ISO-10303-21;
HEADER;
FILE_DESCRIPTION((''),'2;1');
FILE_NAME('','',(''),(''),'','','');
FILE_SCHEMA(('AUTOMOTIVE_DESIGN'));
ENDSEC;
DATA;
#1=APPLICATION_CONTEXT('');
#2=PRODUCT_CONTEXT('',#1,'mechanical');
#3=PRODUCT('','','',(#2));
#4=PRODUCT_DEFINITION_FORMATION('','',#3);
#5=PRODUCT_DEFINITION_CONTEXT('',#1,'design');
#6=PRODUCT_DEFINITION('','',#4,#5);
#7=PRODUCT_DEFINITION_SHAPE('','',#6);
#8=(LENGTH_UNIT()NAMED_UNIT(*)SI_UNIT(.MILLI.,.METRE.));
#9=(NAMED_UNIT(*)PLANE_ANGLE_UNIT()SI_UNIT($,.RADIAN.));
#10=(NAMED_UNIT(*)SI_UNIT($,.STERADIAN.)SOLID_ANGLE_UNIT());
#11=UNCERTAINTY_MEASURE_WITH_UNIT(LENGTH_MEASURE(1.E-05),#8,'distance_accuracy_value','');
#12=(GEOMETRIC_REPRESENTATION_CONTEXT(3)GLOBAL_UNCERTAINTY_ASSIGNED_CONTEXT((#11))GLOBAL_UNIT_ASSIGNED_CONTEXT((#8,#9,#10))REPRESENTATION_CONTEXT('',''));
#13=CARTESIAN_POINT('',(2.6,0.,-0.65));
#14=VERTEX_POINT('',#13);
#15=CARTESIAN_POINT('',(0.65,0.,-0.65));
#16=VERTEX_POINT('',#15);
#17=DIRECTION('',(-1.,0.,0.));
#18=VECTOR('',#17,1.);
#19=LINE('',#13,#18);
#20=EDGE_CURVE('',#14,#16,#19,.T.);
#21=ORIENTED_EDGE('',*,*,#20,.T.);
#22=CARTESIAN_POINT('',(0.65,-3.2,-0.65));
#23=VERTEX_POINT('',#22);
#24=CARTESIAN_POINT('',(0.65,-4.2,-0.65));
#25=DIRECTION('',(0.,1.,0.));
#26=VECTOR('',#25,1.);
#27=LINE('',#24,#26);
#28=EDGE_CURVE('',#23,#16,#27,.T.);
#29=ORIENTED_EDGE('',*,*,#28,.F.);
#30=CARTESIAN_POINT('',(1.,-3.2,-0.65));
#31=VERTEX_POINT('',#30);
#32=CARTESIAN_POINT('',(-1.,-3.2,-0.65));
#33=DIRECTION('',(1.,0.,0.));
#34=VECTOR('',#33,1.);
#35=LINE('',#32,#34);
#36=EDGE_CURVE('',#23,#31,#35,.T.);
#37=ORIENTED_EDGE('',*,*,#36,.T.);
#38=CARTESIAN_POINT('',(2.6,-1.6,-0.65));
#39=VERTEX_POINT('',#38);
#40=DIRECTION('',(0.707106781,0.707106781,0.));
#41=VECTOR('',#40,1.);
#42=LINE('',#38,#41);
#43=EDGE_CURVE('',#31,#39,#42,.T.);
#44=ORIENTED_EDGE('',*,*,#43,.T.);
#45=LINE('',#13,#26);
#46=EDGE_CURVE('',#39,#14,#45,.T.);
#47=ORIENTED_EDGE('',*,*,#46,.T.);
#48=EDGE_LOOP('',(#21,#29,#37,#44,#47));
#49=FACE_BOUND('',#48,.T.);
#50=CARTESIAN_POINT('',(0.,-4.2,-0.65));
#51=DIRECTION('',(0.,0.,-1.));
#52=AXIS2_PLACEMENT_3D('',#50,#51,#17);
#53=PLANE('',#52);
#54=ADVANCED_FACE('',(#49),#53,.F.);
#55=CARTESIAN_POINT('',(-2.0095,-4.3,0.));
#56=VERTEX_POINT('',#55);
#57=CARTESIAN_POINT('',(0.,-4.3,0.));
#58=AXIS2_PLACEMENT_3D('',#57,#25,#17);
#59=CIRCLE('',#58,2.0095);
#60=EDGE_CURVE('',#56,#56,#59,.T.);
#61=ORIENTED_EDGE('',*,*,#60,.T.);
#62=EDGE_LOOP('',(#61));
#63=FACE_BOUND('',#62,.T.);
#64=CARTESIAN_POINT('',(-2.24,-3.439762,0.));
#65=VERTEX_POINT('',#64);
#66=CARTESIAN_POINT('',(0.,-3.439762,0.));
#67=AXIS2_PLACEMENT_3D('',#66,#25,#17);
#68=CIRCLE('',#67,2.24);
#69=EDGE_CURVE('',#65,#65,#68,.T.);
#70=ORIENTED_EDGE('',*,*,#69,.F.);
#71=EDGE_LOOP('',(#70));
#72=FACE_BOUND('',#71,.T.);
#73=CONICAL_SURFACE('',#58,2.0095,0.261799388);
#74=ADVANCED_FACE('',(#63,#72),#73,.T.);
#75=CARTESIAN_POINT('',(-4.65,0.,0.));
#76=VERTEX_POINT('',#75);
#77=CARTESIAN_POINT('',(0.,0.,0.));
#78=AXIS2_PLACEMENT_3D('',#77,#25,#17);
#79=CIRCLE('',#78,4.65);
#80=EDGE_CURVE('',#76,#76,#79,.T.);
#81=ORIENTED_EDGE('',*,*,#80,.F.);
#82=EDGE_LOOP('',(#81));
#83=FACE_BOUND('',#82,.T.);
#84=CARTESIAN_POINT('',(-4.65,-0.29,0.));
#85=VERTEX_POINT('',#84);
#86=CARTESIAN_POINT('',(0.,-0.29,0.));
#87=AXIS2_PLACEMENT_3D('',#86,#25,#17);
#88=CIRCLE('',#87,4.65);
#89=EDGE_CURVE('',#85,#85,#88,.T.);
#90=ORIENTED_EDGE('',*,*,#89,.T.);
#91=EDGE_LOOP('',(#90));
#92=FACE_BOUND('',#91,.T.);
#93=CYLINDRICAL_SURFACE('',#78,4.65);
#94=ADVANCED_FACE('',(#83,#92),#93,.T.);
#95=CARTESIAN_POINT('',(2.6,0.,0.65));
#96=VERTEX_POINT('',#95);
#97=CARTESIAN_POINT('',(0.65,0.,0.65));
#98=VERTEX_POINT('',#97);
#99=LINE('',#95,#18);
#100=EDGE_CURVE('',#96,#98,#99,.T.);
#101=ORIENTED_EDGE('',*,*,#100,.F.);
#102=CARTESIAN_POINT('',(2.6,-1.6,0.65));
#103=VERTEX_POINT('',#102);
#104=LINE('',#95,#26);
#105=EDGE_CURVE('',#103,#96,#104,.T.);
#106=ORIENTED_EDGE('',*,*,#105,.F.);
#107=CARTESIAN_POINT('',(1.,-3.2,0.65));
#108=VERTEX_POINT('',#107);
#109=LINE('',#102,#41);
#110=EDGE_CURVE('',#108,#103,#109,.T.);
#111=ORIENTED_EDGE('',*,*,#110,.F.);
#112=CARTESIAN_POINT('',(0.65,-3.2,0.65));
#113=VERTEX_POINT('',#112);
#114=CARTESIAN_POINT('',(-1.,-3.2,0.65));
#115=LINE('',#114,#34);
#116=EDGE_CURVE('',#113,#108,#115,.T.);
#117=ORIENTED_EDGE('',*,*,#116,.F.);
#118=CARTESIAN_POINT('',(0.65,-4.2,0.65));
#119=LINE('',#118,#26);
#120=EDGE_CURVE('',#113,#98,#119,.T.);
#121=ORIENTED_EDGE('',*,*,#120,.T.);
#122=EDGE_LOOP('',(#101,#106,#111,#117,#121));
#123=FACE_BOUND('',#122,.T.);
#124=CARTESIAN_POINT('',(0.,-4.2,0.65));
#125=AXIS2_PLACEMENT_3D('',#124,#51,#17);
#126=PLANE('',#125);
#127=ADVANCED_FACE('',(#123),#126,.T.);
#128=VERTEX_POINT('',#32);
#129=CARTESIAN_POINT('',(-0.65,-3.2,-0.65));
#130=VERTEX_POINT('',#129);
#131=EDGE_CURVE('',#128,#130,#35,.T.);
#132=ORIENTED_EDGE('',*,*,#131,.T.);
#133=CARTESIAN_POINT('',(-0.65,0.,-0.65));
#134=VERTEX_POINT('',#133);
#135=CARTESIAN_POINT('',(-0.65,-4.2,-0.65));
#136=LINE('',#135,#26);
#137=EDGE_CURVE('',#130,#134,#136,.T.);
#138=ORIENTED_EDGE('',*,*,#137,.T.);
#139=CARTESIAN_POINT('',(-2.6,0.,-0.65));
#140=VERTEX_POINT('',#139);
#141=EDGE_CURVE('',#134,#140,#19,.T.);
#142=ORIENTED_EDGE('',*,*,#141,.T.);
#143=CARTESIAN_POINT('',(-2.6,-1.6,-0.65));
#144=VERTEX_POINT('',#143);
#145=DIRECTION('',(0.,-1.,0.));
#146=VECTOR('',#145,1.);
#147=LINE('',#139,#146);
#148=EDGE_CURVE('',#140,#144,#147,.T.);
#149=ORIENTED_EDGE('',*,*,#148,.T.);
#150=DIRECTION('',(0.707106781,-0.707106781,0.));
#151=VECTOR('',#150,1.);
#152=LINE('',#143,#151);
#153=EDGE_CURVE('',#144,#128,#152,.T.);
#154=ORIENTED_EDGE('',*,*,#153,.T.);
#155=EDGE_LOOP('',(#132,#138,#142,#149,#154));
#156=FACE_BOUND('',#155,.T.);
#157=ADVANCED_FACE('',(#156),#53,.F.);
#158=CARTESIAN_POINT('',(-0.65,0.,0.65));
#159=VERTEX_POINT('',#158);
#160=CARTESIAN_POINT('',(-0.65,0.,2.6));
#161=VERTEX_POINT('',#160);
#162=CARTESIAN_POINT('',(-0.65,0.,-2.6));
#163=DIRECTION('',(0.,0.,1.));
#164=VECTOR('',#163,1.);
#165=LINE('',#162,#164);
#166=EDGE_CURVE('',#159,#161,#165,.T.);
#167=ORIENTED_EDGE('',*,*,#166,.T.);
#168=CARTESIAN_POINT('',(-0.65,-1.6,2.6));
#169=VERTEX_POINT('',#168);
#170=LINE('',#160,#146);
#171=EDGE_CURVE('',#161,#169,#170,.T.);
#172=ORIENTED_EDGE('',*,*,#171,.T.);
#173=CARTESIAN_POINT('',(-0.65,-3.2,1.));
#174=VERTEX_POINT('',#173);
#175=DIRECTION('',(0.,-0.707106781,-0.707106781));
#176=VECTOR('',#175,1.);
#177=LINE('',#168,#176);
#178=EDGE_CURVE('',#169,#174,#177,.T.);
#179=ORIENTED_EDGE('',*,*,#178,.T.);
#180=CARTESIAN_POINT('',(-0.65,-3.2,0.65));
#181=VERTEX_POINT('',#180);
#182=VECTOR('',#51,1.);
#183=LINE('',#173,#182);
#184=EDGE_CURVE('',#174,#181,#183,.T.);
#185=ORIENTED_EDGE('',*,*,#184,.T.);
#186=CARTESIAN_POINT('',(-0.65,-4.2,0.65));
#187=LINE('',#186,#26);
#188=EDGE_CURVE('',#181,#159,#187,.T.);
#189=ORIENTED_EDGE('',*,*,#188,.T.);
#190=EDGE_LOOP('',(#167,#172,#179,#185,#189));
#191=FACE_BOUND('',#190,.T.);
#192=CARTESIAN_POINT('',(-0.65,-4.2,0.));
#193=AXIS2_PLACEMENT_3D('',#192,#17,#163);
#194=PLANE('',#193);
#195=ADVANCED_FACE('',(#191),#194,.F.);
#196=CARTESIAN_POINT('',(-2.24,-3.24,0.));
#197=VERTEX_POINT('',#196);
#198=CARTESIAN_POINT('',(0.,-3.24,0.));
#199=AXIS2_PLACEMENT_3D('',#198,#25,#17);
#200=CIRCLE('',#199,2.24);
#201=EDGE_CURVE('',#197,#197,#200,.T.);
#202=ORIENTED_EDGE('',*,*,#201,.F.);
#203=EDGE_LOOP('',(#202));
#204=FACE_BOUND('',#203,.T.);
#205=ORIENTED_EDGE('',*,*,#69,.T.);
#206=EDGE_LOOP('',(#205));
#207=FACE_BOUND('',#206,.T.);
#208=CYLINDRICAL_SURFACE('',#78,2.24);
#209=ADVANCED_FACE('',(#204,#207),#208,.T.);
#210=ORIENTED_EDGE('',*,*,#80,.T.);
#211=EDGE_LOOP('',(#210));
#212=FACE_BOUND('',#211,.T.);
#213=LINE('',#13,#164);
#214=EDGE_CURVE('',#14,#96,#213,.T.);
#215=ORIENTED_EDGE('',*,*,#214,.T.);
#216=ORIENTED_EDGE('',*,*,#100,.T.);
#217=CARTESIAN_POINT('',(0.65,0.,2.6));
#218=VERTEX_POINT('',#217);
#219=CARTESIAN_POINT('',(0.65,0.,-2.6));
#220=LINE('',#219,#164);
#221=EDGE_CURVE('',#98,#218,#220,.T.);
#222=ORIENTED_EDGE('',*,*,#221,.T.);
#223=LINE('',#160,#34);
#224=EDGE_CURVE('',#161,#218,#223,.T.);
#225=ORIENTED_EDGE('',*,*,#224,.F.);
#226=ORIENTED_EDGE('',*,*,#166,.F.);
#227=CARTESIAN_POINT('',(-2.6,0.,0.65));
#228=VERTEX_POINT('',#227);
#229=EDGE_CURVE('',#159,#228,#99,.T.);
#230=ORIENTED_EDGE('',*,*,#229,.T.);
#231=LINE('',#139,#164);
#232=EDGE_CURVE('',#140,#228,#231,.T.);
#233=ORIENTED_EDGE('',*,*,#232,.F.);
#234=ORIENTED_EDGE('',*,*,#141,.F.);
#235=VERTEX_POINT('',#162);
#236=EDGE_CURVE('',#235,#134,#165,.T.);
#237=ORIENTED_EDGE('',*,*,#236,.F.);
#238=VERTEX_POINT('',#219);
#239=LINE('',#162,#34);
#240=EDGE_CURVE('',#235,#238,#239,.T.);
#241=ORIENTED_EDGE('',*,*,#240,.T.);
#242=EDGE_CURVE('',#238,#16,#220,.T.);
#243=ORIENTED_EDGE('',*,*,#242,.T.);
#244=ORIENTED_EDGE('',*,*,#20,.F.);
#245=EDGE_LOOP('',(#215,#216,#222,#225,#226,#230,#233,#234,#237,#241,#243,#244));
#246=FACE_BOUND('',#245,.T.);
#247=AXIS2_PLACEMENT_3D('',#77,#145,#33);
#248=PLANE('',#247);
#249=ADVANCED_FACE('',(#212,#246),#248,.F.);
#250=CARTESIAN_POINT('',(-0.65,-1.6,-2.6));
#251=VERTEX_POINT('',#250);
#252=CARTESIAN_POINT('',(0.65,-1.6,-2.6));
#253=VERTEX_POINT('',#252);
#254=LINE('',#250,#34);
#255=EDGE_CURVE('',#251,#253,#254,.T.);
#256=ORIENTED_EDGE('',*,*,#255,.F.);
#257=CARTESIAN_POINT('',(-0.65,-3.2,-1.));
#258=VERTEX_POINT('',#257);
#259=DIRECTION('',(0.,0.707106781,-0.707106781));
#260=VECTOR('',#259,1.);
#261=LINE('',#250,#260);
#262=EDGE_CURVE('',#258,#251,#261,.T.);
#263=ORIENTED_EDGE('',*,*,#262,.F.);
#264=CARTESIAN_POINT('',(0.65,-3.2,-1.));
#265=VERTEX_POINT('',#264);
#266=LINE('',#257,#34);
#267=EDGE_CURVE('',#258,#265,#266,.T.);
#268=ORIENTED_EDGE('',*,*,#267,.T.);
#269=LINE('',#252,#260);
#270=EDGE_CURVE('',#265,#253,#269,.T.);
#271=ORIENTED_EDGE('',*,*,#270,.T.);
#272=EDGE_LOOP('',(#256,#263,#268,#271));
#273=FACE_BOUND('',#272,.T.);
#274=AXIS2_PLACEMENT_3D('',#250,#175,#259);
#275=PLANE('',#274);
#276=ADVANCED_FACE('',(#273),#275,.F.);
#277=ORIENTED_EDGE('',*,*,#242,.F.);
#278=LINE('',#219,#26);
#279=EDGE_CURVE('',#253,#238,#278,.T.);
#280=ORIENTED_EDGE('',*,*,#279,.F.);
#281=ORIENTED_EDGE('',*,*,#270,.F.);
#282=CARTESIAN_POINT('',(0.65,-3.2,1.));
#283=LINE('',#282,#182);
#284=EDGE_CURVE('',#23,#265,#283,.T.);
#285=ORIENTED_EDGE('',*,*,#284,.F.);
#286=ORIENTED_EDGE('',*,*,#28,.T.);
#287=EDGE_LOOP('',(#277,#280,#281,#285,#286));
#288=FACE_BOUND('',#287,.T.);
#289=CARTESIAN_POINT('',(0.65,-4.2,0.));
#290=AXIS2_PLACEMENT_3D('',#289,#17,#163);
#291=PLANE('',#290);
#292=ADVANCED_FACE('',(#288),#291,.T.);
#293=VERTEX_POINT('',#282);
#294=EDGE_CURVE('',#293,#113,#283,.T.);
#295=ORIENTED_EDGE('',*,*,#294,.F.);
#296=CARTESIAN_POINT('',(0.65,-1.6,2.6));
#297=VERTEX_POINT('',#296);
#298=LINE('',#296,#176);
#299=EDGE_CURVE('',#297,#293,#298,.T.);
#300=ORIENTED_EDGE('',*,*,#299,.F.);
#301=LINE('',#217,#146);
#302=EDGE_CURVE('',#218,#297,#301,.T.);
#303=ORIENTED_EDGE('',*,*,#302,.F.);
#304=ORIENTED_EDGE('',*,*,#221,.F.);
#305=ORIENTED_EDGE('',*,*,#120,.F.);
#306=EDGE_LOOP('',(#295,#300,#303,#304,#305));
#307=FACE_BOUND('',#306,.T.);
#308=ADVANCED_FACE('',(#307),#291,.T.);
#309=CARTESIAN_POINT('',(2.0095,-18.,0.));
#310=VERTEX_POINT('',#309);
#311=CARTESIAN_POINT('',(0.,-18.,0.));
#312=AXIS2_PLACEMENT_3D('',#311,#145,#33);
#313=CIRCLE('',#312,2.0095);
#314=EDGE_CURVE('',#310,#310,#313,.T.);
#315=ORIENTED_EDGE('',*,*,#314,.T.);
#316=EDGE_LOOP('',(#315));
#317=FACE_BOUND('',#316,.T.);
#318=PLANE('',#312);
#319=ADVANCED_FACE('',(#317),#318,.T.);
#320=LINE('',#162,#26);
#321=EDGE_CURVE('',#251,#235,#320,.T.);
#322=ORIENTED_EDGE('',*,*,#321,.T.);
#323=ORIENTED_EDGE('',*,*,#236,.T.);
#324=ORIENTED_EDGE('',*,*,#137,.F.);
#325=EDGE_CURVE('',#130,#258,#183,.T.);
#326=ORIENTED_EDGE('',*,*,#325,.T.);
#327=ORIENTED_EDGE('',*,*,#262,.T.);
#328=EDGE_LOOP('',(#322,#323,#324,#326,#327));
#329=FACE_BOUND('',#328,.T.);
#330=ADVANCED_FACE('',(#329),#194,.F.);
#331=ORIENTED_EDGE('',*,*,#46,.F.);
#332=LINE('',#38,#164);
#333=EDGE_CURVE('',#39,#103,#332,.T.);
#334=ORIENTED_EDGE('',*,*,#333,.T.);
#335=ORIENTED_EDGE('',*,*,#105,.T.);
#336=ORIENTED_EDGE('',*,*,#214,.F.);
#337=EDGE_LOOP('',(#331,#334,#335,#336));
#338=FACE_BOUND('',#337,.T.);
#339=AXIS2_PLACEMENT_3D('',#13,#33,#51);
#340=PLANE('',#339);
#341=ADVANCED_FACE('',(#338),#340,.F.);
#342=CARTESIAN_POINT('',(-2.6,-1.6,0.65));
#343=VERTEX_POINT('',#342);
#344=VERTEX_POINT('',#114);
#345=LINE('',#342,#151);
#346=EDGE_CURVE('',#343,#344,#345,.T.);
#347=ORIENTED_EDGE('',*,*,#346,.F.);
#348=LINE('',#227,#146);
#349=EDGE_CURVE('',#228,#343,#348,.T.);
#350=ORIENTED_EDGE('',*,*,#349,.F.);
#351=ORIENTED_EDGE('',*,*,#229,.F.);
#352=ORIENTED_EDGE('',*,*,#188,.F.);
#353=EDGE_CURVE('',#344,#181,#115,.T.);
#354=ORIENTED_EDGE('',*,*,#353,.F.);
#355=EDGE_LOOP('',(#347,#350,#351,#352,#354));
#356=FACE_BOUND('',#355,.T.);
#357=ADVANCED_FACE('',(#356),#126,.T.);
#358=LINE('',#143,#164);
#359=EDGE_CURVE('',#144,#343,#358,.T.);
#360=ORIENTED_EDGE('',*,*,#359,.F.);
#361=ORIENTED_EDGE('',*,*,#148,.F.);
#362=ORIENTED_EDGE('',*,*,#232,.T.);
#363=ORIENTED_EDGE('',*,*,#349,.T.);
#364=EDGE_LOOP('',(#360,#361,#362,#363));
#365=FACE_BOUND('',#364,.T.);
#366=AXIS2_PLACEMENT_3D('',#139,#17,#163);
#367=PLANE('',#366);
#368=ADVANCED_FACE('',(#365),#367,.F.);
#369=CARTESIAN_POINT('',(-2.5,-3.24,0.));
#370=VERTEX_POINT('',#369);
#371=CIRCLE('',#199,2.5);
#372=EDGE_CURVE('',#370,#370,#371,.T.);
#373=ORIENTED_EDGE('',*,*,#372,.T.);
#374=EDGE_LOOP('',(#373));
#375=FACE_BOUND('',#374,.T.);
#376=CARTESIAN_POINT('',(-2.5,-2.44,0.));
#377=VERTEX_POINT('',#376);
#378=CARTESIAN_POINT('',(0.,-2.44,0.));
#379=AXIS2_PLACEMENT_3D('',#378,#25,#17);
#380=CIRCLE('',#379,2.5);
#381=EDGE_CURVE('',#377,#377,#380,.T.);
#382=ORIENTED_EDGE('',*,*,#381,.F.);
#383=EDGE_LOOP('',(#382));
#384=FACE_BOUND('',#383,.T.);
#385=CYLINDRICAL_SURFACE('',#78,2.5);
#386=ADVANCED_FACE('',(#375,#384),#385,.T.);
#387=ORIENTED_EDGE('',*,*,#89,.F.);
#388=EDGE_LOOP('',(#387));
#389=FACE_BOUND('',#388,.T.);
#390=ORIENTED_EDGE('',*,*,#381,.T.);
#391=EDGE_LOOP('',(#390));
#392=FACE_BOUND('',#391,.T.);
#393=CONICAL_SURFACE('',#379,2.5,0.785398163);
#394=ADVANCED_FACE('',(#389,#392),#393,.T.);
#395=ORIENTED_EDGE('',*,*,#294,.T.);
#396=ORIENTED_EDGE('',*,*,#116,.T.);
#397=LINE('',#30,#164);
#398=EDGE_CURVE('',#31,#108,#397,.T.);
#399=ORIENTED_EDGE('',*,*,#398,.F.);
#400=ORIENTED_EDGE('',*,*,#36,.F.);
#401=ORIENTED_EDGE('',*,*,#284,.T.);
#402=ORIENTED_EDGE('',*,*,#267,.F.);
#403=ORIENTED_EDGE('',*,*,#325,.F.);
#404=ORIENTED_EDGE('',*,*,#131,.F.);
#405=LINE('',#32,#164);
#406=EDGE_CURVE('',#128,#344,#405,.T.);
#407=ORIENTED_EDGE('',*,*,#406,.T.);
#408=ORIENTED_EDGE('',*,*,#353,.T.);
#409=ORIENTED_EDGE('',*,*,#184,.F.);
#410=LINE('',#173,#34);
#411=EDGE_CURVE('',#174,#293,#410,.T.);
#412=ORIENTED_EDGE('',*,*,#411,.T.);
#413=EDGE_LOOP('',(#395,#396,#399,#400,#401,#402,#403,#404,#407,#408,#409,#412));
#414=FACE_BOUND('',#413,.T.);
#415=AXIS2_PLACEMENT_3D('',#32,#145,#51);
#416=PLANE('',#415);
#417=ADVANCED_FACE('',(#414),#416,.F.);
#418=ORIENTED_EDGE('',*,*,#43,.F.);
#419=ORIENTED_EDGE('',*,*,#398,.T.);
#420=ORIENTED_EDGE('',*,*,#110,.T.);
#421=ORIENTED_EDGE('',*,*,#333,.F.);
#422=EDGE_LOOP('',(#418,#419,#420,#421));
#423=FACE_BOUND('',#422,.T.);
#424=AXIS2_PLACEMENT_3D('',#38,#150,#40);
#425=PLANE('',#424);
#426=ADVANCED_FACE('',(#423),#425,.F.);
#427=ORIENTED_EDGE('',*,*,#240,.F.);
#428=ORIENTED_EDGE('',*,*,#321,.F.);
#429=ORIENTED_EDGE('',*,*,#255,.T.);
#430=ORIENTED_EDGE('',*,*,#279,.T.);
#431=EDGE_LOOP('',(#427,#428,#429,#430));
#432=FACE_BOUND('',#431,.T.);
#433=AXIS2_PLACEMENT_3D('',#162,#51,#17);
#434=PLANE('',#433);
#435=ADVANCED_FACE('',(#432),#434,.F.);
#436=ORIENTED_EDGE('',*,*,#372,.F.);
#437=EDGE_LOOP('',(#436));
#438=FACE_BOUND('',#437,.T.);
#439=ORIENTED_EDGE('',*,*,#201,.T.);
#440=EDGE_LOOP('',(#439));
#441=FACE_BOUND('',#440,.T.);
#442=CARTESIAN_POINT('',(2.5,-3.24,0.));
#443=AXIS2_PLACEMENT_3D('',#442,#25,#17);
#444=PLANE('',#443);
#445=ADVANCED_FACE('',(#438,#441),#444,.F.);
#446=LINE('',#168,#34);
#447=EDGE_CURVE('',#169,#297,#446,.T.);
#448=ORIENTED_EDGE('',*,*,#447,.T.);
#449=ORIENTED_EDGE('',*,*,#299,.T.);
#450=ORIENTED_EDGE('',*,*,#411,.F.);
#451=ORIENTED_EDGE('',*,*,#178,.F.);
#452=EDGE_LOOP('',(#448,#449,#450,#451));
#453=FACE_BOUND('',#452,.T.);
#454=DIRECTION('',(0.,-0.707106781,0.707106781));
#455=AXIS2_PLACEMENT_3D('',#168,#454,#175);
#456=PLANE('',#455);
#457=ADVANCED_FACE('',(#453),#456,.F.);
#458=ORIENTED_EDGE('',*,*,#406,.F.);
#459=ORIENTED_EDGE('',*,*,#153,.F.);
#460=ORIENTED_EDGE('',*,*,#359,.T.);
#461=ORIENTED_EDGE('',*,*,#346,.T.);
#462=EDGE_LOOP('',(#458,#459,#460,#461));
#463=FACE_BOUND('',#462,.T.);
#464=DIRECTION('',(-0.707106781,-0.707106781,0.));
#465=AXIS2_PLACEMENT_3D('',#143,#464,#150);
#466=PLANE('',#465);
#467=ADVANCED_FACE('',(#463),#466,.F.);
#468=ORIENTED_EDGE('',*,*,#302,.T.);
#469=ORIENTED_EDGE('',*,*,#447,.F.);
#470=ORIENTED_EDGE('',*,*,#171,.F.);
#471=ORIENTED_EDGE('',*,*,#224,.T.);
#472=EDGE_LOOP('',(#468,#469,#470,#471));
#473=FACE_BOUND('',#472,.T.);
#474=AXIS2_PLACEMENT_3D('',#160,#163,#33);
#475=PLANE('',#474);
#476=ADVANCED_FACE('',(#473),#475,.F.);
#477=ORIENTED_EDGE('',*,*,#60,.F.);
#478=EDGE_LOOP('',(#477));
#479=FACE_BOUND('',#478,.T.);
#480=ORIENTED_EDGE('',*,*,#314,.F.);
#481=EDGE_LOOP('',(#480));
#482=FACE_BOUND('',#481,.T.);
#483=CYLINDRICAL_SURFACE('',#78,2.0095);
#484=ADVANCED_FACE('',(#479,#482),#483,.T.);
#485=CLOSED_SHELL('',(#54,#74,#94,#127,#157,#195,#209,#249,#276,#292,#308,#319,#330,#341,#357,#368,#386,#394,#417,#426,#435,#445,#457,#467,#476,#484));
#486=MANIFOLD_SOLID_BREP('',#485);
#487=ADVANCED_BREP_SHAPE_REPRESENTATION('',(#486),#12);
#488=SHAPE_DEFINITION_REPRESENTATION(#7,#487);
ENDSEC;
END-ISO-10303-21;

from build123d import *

# Parameters (mm, degrees)
KREUZSCHLITZ1_H_DEPTH      = 0.65
KREUZSCHLITZ1_H_DEPTH_BACK = 0.65
KREUZSCHLITZ2_H_DEPTH      = 0.65
KREUZSCHLITZ2_H_DEPTH_BACK = 0.65
BOSS_EXTRUDE1_START        = 2
SKETCH1_R                  = 2.0095
BOSS_EXTRUDE1_DEPTH        = 2


with BuildPart() as part:
    # Skizze1 → Basis-Rotation (revolve)
    with BuildSketch(Plane.XY, mode=Mode.PRIVATE) as basis_rotation_sk:
        Polygon((0, 0), (4.65, 0), (4.65, -0.29), (2.5, -2.44), (2.5, -3.24), (2.24, -3.24), (2.24, -3.439762289), (2.0095, -4.3), (2.0095, -16), (0, -16), align=None)
    revolve(basis_rotation_sk.sketch.rotate(Axis((0, 0, 0), (0, -1, 0)), 180), axis=Axis((0, 0, 0), (0, -1, 0)))

    # Skizze2 → Kreuzschlitz1 H (cut, two sides: drawn at the far end of the back side and taken through both)
    with BuildSketch(Plane.XY.offset(-KREUZSCHLITZ1_H_DEPTH_BACK)):
        Polygon((-1, -3.2), (1, -3.2), (2.6, -1.6), (2.6, 0), (-2.6, 0), (-2.6, -1.6), align=None)
    extrude(amount=KREUZSCHLITZ1_H_DEPTH + KREUZSCHLITZ1_H_DEPTH_BACK, mode=Mode.SUBTRACT)

    # Skizze3 → Kreuzschlitz2 H (cut, two sides: drawn at the far end of the back side and taken through both)
    with BuildSketch(Plane(origin=(0, 0, 0), x_dir=(0, 0, -1), z_dir=(1, 0, 0)).offset(-KREUZSCHLITZ2_H_DEPTH_BACK)):
        Polygon((-1, -3.2), (1, -3.2), (2.6, -1.6), (2.6, 0), (-2.6, 0), (-2.6, -1.6), align=None)
    extrude(amount=KREUZSCHLITZ2_H_DEPTH + KREUZSCHLITZ2_H_DEPTH_BACK, mode=Mode.SUBTRACT)

    # Sketch1 → Boss-Extrude1 (add)
    with BuildSketch(Plane.XZ.offset(16).offset(BOSS_EXTRUDE1_START)):
        with Locations(Location((0, 0, 0), (0, 0, 180))):
            Circle(SKETCH1_R)
    extrude(amount=-BOSS_EXTRUDE1_DEPTH)


solid = part.part
